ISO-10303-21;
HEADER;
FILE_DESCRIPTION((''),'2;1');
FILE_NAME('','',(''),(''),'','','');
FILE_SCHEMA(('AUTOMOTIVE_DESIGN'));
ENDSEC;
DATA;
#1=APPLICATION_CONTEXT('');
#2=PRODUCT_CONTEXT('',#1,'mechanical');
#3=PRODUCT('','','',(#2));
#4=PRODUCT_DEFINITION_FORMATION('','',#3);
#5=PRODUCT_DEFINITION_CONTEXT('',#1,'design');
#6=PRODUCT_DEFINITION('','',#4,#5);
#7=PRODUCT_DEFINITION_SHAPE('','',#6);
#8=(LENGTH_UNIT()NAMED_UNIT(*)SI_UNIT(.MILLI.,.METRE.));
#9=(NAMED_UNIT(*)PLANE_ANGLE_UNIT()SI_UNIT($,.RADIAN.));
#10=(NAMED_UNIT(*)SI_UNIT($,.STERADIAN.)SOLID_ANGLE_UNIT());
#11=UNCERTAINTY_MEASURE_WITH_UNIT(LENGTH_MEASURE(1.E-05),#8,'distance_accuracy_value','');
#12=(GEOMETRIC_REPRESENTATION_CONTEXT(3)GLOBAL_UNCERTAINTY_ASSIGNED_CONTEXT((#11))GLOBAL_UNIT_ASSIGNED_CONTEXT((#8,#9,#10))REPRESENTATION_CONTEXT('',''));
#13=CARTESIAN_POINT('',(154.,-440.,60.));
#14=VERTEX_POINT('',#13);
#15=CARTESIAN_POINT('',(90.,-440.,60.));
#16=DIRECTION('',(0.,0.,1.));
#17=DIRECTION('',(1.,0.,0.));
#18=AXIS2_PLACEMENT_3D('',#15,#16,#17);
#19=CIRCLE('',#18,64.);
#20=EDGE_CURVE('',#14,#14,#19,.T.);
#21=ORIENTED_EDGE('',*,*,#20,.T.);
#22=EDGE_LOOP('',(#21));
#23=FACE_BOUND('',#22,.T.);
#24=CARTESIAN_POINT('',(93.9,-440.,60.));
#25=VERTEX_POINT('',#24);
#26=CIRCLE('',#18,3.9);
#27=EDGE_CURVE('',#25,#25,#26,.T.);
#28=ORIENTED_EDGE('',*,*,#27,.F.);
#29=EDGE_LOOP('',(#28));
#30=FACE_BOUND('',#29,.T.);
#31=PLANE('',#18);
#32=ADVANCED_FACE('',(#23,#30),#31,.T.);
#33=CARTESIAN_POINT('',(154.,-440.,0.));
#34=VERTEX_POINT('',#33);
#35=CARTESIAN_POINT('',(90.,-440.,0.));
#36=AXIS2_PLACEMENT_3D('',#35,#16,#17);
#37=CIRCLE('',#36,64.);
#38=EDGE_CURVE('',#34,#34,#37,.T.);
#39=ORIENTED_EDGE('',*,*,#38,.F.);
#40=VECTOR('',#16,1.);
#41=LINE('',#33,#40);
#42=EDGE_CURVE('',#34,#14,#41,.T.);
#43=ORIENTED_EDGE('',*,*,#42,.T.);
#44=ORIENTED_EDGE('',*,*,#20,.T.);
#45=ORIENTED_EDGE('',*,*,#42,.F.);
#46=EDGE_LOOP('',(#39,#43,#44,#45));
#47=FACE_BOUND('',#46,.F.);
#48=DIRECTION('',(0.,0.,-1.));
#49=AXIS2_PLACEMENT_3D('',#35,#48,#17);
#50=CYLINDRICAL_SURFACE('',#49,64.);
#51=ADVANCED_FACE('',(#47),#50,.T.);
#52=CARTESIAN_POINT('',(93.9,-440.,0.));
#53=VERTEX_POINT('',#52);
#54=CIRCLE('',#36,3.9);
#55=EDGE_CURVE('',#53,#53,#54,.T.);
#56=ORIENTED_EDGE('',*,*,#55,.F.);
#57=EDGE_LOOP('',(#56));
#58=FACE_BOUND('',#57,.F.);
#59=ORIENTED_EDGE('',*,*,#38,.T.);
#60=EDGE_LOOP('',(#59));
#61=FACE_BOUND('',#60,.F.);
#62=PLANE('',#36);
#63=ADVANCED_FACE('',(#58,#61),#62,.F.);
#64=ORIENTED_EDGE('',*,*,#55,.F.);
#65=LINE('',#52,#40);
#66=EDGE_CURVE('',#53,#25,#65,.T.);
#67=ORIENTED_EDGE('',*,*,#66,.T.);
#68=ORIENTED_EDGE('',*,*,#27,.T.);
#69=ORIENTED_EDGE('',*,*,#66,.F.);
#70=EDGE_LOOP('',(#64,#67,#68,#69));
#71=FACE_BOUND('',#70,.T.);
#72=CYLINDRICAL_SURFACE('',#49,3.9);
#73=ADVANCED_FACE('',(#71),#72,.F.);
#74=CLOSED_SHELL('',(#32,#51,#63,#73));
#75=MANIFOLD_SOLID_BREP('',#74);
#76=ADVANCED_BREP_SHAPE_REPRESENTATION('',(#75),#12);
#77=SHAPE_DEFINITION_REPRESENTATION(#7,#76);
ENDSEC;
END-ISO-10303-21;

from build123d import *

# Parameters (mm, degrees)
CYLINDER001_R     = 3.9
CYLINDER001_DEPTH = 60
SKETCH001_R       = 64
PAD001_DEPTH      = 60


with BuildPart() as cylinder001:
    # Cylinder001 → Cylinder001 (new body)
    with BuildSketch(Plane.XY):
        Circle(CYLINDER001_R)
    extrude(amount=CYLINDER001_DEPTH)


with BuildPart() as cut001:
    # Sketch001 → Pad001 (new body)
    with BuildSketch(Plane.XY):
        Circle(SKETCH001_R)
    extrude(amount=PAD001_DEPTH)

    # Cut001: cut Cylinder001
    add(cylinder001.part, mode=Mode.SUBTRACT)


with BuildPart() as cut001_1:
    # Cut001 placement: moved
    add(cut001.part.moved(Location((90, -440, 0))))


solid = cut001_1.part
